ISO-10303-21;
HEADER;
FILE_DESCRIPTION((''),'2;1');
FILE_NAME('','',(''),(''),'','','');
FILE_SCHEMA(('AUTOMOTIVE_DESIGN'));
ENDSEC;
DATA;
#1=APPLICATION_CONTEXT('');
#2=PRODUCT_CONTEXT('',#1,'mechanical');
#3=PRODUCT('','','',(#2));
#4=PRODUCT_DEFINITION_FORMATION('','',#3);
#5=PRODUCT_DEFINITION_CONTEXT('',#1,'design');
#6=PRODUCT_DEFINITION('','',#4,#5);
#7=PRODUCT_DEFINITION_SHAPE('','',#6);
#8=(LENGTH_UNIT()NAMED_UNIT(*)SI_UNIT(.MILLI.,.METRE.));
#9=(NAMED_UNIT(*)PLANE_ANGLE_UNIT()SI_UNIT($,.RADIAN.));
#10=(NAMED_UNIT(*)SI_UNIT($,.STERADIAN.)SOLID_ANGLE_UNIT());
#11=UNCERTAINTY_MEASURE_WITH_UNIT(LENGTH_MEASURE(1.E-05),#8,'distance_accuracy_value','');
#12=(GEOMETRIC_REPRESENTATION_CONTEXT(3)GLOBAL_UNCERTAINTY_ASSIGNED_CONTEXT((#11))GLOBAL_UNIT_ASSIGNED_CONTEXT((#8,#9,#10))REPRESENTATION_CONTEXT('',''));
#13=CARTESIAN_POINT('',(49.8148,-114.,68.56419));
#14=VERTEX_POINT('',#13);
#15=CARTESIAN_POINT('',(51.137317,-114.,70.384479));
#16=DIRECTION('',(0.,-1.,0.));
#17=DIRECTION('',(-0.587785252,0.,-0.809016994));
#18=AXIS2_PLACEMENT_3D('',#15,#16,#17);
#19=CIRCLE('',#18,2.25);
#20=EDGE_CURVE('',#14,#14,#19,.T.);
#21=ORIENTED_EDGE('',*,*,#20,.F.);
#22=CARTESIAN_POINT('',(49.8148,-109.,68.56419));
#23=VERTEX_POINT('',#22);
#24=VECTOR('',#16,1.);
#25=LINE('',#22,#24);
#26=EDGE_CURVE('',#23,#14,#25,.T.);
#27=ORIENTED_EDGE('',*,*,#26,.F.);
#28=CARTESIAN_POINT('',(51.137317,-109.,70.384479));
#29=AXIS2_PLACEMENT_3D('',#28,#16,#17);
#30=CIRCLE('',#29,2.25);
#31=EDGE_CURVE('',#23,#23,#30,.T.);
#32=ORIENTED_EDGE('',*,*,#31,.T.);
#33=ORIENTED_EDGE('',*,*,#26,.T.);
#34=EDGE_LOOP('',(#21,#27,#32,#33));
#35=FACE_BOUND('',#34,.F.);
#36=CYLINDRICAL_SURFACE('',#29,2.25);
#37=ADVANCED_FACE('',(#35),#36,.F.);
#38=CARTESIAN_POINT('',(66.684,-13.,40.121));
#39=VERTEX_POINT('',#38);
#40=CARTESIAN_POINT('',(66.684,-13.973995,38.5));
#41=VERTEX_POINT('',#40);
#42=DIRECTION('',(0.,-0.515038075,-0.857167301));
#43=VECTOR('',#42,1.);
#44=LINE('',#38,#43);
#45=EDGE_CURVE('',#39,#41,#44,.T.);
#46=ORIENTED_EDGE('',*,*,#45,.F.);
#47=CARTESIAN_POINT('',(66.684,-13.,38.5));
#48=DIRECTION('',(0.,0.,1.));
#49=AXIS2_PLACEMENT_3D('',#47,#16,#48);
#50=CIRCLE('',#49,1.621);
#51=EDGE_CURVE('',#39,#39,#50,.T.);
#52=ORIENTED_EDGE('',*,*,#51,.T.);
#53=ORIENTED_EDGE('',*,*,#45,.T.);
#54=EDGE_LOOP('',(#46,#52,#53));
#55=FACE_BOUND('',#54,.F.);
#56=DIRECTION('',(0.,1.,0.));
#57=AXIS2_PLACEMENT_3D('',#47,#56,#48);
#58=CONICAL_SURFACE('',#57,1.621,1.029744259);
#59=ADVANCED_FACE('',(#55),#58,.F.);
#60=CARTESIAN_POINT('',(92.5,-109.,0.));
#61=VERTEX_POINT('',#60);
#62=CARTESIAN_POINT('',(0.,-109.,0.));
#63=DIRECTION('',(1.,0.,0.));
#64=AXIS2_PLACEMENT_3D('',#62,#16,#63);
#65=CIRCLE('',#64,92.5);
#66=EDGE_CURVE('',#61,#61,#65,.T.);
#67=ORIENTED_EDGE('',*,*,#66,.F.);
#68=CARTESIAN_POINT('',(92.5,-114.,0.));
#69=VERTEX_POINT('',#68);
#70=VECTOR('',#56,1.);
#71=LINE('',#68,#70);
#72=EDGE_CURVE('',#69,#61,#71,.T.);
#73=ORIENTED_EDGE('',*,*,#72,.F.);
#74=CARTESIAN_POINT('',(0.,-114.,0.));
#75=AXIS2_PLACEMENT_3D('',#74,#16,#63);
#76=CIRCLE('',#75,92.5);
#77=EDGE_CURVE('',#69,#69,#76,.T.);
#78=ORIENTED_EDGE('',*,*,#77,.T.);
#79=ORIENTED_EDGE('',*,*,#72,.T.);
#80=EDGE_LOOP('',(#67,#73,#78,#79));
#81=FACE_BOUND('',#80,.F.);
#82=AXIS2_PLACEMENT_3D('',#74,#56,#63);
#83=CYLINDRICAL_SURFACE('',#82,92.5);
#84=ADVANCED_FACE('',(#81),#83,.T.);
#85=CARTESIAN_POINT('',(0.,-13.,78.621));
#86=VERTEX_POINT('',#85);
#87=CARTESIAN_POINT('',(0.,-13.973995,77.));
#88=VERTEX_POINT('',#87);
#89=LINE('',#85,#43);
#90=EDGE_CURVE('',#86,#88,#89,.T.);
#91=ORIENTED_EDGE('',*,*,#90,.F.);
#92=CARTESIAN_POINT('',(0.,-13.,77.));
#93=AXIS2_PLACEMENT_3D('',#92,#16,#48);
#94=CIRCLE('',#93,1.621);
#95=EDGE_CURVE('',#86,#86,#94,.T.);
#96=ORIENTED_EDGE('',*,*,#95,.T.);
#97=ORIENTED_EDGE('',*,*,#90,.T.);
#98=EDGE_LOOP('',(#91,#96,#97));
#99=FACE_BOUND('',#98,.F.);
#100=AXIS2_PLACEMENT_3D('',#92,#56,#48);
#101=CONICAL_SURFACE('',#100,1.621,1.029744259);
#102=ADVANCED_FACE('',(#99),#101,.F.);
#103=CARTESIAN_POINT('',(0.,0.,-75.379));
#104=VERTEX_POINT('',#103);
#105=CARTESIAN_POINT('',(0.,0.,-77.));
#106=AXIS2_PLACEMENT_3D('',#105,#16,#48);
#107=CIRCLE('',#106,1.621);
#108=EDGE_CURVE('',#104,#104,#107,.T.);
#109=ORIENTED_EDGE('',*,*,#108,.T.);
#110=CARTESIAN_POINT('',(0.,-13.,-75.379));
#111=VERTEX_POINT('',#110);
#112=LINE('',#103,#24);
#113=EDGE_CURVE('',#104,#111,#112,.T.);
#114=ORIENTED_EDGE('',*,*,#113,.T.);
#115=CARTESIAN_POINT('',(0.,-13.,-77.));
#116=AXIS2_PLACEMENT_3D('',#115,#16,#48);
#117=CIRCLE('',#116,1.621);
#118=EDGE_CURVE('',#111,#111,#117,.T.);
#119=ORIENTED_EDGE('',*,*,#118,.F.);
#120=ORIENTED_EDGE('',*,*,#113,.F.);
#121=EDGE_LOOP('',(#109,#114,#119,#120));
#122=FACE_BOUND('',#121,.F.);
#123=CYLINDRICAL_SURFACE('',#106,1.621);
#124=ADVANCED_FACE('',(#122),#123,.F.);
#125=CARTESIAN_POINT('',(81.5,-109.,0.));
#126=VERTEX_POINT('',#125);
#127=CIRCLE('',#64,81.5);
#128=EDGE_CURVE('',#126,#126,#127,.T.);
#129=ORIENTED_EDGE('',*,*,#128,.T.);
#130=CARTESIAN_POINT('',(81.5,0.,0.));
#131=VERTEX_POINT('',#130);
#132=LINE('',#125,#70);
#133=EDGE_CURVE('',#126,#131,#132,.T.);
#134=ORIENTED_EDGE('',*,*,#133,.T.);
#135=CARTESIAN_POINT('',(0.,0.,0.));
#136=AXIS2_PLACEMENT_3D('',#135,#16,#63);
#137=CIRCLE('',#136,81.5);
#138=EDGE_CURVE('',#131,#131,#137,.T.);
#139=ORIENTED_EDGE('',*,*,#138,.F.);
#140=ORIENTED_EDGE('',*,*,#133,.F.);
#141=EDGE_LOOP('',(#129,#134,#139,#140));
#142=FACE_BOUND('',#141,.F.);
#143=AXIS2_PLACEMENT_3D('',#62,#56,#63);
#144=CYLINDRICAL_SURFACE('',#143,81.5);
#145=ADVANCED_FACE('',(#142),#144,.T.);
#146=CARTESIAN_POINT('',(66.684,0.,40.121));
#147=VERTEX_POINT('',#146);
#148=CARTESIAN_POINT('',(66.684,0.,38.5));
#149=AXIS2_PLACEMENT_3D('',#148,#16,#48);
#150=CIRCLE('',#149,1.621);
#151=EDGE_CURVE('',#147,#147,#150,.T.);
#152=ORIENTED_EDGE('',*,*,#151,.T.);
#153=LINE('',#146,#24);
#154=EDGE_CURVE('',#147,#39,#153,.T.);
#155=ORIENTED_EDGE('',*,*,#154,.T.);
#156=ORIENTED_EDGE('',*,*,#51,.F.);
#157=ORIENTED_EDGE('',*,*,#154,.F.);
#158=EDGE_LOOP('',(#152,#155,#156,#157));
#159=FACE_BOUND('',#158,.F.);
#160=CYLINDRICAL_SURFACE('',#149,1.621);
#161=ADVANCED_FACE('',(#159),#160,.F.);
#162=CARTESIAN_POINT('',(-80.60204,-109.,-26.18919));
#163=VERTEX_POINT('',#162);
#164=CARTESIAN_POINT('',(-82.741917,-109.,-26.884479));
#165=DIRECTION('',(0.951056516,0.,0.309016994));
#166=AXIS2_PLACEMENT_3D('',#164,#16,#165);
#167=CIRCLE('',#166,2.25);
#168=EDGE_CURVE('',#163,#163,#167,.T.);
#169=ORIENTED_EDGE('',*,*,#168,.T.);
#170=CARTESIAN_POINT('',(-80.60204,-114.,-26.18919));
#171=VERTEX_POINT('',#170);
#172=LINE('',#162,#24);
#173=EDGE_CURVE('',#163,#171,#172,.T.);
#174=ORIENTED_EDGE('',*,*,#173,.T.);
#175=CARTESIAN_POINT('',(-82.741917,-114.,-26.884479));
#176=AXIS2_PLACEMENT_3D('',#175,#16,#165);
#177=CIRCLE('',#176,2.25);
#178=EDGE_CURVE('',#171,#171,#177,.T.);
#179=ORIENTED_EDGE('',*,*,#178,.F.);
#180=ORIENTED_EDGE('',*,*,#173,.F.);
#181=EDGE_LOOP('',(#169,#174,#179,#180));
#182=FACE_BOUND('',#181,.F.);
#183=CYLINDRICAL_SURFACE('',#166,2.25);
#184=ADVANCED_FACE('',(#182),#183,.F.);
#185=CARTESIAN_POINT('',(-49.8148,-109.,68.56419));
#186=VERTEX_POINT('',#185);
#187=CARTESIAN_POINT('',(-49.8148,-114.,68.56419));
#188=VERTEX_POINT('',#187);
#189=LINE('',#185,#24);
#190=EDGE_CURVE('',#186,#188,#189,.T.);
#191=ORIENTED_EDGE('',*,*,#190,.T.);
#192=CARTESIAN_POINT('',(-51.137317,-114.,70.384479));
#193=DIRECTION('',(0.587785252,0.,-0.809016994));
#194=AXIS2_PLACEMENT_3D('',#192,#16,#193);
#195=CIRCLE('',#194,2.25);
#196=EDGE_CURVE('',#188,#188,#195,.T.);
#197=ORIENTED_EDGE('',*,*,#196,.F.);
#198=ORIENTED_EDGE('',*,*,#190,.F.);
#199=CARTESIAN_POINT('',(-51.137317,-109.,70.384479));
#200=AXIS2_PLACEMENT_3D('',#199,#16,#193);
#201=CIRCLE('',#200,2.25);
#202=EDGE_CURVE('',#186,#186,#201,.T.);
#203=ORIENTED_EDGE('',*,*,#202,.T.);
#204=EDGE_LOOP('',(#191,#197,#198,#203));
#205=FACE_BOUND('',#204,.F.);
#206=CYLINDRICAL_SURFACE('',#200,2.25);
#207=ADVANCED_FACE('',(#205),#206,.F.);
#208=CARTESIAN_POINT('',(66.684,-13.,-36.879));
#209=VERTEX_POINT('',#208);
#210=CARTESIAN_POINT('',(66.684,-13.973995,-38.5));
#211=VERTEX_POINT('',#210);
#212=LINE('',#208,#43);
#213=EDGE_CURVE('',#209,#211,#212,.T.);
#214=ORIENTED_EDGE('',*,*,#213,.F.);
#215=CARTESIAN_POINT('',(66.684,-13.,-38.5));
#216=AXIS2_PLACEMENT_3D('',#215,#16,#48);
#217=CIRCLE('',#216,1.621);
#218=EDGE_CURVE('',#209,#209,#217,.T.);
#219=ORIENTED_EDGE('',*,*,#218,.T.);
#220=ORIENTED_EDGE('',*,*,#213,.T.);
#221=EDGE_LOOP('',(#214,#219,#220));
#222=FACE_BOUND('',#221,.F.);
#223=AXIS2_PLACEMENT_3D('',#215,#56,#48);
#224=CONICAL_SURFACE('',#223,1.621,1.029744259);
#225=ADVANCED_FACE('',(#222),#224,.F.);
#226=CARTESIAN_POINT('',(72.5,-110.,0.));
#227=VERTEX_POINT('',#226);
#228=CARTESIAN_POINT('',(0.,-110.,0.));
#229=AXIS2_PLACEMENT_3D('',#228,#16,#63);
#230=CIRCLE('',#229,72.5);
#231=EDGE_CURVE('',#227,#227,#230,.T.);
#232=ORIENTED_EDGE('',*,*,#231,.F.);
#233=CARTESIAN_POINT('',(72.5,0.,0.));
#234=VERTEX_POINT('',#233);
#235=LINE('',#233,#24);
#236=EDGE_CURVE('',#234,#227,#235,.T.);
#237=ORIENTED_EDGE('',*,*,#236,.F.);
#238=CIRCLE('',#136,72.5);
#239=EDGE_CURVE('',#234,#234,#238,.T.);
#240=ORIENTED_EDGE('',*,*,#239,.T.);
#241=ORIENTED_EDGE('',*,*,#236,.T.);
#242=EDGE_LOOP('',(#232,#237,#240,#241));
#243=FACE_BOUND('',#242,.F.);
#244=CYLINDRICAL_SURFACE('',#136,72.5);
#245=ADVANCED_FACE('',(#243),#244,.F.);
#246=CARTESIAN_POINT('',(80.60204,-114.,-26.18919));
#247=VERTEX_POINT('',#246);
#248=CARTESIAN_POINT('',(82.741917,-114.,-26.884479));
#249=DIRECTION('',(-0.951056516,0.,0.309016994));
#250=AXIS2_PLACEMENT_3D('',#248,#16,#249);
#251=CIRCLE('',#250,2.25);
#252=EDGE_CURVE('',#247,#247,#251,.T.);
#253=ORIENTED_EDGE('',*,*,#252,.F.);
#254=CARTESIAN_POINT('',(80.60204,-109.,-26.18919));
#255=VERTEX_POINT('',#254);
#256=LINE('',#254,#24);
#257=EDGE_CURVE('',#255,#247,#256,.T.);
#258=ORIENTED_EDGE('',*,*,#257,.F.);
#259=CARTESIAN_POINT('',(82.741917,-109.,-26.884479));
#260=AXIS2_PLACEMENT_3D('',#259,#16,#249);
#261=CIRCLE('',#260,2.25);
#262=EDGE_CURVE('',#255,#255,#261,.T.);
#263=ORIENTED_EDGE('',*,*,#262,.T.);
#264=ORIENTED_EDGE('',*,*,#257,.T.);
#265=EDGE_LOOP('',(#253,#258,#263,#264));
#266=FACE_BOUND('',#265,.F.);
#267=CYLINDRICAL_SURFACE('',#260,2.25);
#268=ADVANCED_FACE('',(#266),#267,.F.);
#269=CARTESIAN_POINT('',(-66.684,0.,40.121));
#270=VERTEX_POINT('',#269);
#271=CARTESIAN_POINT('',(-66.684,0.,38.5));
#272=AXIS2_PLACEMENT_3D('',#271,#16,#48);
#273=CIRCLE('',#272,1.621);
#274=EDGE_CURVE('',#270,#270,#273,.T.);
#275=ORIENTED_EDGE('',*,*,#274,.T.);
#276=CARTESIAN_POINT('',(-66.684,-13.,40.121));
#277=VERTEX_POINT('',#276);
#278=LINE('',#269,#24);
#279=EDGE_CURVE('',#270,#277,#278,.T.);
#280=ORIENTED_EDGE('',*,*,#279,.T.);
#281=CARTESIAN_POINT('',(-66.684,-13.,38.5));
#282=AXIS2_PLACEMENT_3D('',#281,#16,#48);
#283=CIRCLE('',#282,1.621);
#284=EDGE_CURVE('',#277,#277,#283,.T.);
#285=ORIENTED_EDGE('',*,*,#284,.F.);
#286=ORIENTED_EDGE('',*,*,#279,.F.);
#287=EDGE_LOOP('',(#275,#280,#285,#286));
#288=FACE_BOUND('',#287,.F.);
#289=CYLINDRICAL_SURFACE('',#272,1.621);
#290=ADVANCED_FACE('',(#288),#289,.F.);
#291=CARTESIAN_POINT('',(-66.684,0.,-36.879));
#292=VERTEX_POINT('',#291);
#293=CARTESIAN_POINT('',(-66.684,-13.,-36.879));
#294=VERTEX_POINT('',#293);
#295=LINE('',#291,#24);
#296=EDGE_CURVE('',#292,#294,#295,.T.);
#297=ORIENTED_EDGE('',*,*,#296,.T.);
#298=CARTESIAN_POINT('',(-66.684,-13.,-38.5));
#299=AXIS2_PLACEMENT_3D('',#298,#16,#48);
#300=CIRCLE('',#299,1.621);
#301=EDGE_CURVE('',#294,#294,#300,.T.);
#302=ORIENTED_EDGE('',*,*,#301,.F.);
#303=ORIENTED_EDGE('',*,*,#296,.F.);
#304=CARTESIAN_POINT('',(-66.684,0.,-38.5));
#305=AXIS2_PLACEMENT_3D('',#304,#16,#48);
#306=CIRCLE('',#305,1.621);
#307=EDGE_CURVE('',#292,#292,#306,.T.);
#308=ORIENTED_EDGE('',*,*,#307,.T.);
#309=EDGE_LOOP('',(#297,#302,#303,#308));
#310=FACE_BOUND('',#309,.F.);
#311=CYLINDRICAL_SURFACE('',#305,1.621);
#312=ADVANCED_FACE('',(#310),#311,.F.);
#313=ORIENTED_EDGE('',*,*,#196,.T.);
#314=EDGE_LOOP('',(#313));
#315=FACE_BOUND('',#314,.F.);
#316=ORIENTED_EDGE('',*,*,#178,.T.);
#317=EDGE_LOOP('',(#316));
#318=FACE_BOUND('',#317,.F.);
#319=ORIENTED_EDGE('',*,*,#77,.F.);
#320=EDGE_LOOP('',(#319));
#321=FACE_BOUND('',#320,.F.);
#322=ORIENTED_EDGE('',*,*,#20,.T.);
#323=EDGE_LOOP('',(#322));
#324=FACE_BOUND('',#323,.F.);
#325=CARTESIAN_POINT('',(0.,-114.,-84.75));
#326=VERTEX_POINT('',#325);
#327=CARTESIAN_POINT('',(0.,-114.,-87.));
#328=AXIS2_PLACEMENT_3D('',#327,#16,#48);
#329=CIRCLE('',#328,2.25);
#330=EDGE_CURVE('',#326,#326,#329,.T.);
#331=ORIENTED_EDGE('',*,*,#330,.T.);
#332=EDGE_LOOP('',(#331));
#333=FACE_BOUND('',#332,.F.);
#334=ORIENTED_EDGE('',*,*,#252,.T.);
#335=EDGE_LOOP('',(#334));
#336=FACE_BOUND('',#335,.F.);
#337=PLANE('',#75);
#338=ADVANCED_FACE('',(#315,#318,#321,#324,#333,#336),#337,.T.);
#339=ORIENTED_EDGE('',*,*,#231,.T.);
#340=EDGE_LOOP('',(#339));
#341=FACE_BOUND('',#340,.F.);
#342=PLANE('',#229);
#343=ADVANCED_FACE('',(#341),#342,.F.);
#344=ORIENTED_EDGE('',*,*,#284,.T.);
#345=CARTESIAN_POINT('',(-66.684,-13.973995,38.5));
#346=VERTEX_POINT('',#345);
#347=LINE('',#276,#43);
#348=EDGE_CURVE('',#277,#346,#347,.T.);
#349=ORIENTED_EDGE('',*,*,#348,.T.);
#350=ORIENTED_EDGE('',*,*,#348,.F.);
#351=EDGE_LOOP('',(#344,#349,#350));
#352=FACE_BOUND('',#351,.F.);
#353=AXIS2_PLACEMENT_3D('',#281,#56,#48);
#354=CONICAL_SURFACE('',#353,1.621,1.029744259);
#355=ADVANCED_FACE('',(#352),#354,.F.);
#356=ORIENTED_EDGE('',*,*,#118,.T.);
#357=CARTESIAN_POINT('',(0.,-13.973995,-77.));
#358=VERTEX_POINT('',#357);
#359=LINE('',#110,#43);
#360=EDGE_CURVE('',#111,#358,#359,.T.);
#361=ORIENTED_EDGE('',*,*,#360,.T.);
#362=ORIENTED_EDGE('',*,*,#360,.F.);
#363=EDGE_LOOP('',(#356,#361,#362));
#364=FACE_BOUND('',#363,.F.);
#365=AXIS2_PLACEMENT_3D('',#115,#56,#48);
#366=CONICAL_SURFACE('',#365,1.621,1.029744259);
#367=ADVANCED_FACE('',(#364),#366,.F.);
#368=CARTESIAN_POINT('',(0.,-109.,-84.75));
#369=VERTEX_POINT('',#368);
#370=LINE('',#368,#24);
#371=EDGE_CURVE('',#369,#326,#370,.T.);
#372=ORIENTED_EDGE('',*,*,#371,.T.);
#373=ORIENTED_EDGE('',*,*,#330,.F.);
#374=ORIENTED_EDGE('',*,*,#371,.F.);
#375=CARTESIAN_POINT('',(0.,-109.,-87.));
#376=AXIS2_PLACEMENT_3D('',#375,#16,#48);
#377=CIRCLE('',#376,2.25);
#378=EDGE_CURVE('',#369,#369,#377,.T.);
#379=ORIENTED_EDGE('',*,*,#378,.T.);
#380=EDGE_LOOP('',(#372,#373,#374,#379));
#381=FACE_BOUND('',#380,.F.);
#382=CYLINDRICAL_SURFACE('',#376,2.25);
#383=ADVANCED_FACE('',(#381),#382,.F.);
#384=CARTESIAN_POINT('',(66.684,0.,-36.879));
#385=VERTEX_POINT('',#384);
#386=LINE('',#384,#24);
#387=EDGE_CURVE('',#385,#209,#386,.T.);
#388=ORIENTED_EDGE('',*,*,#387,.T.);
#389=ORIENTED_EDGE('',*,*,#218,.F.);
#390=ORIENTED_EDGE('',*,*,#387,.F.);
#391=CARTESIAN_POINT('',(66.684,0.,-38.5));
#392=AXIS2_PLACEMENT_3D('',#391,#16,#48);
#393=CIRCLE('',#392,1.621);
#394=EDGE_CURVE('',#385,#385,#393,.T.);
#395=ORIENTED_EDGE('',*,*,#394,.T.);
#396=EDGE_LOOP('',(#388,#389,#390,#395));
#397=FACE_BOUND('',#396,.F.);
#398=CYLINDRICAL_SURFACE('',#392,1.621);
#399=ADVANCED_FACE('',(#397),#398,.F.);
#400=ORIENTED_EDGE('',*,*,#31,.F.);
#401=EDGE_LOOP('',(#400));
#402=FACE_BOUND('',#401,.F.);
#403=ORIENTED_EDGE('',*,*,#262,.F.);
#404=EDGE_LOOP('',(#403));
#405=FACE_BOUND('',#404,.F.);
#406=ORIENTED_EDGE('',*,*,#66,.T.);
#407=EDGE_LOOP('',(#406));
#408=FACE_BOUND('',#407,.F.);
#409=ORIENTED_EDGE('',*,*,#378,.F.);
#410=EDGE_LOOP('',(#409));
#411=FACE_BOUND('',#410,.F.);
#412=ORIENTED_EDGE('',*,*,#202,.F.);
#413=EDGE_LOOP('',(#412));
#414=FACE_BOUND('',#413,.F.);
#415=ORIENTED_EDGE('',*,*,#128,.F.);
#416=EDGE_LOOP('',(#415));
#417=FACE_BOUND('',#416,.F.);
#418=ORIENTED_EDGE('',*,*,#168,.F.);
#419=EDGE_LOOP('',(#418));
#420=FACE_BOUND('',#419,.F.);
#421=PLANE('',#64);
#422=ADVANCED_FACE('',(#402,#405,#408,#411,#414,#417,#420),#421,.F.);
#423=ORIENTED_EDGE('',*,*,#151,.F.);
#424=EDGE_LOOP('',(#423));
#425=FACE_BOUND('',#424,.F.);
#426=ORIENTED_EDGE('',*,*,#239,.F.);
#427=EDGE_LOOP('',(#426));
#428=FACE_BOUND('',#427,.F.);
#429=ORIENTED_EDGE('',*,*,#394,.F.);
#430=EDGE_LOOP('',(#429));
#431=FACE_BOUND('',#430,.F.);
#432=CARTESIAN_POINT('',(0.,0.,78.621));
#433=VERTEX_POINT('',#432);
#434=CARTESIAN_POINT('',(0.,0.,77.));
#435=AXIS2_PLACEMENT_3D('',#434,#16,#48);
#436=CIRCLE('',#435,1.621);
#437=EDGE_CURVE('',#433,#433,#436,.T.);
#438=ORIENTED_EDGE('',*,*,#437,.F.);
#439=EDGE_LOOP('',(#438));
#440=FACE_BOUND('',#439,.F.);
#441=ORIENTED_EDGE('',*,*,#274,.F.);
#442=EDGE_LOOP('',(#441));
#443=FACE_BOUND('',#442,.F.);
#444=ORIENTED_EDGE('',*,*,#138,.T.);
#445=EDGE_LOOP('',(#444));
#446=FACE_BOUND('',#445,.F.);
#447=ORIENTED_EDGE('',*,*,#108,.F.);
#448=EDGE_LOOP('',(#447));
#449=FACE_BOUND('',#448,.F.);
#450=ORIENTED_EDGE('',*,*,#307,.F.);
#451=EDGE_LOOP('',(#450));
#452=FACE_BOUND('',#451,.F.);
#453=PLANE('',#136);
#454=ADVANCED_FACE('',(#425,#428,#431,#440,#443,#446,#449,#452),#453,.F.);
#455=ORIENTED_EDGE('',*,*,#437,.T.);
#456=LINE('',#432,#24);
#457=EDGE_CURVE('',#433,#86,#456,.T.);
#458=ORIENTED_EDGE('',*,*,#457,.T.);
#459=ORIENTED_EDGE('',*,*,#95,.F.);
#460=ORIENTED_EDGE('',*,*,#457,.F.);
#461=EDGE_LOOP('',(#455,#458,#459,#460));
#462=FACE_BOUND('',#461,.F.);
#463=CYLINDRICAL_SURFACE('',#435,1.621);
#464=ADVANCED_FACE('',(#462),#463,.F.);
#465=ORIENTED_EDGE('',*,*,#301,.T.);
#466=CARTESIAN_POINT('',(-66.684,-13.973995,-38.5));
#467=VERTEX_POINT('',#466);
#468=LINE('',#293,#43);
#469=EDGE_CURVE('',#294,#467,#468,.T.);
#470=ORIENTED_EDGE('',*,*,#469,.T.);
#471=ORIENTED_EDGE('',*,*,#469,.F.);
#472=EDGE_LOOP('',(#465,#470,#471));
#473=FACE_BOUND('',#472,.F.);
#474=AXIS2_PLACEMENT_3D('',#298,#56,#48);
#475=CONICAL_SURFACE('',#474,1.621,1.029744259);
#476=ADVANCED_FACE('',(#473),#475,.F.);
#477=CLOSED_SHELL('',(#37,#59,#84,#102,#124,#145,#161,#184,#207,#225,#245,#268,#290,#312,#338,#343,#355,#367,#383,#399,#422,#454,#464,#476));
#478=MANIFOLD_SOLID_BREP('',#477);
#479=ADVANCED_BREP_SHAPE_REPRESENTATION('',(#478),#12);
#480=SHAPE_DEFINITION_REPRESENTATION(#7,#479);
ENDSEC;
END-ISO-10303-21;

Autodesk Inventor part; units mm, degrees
ref_plane "YZ Plane" through (0, 0, 0) normal (1, 0, 0) x (0, 1, 0)
ref_plane "XZ Plane" through (0, 0, 0) normal (0, 1, 0) x (-1, 0, 0)
ref_plane "XY Plane" through (0, 0, 0) normal (0, 0, 1) x (1, 0, 0)
sketch "Sketch2" plane through (0, 0, 0) normal (0, 0, 1) x (-1, 0, 0)
  line L0 (0, -22.8) -> (0, 136.8) construction
  line L1 (0, 114) -> (-92.5, 114)
  line L2 (-92.5, 114) -> (-92.5, 109)
  line L3 (-92.5, 109) -> (-81.5, 109)
  line L4 (-81.5, 109) -> (-81.5, 0)
  line L5 (-81.5, 0) -> (-72.5, 0)
  line L6 (-72.5, 0) -> (-72.5, 110)
  line L7 (-72.5, 110) -> (0, 110)
  line L8 (0, 114) -> (0, 110)
  line L9 (18.5, 0) -> (-111, 0) construction
  point P0 (0, 0)
  dimension "d4" = 5
  dimension "d5" = 11
  dimension "d6" = 9
  dimension "d8" = 110
  dimension "d9" = 4
  dimension "d38" = 81.5
revolve "Revolution1" add sketch "Sketch2" angle 360 about axis through (0, 0, 0) along (0, -1, 0)
sketch "Sketch3" plane through (0, -109, 0) normal (0, 1, 0) x (1, 0, 0)
  line L0 (0, 129.5) -> (0, -129.5) construction
  line L1 (129.5, 0) -> (-129.5, 0) construction
  circle A0 centre (0, 0) radius 87 construction
  circle A1 centre (0, 0) radius 81.5 construction
  circle A2 centre (0, 0) radius 92.5 construction
  point P0 (0, 87)
  dimension "d11" = 5.5
  dimension "d12" = 5.5
hole "Hole1" at (0, -109, -87) direction (0, -1, 0) diameter 4.5 end through all clearance for "Flat Head Machine Screw" size "M4" standard "Ansi Metric M Profile"
pattern_circular "Circular Pattern1" count 5 over 360 about axis through (0, -10, 0) along (0, 1, 0) of "Hole1"
sketch "Sketch5" plane through (0, 0, 0) normal (0, 1, 0) x (1, 0, 0)
  line L0 (0, 129.5) -> (0, -129.5) construction
  line L1 (129.5, 0) -> (-129.5, 0) construction
  circle A0 centre (0, 0) radius 77 construction
  circle A1 centre (0, 0) radius 72.5 construction
  circle A2 centre (0, 0) radius 81.5 construction
  point P0 (0, 77)
  point P1 (-66.684, 38.5)
  point P2 (-66.684, -38.5)
  point P3 (0, -77)
  point P4 (66.684, -38.5)
  point P5 (66.684, 38.5)
  dimension "d39" = 4.5
  dimension "d40" = 4.5
  dimension "d43" = 360
hole "Hole2" at (0, 0, -77) at (-66.684, 0, -38.5) at (-66.684, 0, 38.5) at (0, 0, 77) at (66.684, 0, 38.5) at (66.684, 0, -38.5) direction (0, -1, 0) diameter 3.242 depth 13 tip angle 118 thread size "M4x0.7" class "6H" standard "ANSI Metric M Profile"
equation "\"d11\" = d12"
equation "\"d39\" = d40"
properties part number "Base" material "Aluminum 6061"
